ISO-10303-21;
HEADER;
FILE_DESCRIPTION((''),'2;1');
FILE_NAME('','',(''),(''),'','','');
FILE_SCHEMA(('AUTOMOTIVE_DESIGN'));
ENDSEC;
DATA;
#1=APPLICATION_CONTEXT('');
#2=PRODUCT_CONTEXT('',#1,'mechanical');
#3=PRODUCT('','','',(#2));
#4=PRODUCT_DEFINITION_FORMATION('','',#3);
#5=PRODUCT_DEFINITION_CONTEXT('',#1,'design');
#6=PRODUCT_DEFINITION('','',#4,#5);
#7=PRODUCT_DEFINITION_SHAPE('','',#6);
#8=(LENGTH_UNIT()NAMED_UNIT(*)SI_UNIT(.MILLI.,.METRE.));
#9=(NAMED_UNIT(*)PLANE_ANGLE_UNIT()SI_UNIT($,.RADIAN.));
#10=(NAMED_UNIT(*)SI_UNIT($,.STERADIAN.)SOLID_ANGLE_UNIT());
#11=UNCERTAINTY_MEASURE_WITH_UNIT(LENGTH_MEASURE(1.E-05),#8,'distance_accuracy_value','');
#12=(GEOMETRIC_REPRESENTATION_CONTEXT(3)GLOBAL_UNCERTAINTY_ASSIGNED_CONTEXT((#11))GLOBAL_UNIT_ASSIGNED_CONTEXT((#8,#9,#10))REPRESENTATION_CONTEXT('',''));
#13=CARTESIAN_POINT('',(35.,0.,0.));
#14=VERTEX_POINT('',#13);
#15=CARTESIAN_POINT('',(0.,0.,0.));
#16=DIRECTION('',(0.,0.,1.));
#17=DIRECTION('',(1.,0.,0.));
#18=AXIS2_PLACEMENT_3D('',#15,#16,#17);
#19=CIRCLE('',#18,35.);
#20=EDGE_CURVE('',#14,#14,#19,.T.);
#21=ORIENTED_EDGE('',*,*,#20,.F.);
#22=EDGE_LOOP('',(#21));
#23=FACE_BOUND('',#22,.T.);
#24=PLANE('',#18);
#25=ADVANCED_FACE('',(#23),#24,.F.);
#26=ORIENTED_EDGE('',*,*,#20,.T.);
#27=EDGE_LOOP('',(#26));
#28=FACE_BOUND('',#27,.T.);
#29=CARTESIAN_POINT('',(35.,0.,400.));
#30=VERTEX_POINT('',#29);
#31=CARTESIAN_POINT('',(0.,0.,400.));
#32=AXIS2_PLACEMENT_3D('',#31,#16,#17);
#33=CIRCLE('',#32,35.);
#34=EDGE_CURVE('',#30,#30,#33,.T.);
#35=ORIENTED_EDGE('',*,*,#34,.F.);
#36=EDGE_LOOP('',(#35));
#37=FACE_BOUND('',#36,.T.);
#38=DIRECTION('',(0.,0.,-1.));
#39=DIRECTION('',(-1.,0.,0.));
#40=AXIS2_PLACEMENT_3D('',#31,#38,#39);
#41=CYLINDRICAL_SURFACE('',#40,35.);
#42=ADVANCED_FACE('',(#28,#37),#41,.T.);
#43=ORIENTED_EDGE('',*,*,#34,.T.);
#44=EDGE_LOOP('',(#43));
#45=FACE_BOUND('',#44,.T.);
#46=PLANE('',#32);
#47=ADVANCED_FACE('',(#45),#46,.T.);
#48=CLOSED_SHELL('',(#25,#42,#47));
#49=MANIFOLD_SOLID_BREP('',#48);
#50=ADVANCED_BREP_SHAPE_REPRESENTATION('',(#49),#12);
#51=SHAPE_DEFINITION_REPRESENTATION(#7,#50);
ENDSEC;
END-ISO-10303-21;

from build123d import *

# Parameters (mm, degrees)
SKETCH1_R           = 35
BOSS_EXTRUDE1_DEPTH = 400


with BuildPart() as part:
    # Sketch1 → Boss-Extrude1 (new body)
    with BuildSketch(Plane.XY):
        Circle(SKETCH1_R)
    extrude(amount=BOSS_EXTRUDE1_DEPTH)


solid = part.part
